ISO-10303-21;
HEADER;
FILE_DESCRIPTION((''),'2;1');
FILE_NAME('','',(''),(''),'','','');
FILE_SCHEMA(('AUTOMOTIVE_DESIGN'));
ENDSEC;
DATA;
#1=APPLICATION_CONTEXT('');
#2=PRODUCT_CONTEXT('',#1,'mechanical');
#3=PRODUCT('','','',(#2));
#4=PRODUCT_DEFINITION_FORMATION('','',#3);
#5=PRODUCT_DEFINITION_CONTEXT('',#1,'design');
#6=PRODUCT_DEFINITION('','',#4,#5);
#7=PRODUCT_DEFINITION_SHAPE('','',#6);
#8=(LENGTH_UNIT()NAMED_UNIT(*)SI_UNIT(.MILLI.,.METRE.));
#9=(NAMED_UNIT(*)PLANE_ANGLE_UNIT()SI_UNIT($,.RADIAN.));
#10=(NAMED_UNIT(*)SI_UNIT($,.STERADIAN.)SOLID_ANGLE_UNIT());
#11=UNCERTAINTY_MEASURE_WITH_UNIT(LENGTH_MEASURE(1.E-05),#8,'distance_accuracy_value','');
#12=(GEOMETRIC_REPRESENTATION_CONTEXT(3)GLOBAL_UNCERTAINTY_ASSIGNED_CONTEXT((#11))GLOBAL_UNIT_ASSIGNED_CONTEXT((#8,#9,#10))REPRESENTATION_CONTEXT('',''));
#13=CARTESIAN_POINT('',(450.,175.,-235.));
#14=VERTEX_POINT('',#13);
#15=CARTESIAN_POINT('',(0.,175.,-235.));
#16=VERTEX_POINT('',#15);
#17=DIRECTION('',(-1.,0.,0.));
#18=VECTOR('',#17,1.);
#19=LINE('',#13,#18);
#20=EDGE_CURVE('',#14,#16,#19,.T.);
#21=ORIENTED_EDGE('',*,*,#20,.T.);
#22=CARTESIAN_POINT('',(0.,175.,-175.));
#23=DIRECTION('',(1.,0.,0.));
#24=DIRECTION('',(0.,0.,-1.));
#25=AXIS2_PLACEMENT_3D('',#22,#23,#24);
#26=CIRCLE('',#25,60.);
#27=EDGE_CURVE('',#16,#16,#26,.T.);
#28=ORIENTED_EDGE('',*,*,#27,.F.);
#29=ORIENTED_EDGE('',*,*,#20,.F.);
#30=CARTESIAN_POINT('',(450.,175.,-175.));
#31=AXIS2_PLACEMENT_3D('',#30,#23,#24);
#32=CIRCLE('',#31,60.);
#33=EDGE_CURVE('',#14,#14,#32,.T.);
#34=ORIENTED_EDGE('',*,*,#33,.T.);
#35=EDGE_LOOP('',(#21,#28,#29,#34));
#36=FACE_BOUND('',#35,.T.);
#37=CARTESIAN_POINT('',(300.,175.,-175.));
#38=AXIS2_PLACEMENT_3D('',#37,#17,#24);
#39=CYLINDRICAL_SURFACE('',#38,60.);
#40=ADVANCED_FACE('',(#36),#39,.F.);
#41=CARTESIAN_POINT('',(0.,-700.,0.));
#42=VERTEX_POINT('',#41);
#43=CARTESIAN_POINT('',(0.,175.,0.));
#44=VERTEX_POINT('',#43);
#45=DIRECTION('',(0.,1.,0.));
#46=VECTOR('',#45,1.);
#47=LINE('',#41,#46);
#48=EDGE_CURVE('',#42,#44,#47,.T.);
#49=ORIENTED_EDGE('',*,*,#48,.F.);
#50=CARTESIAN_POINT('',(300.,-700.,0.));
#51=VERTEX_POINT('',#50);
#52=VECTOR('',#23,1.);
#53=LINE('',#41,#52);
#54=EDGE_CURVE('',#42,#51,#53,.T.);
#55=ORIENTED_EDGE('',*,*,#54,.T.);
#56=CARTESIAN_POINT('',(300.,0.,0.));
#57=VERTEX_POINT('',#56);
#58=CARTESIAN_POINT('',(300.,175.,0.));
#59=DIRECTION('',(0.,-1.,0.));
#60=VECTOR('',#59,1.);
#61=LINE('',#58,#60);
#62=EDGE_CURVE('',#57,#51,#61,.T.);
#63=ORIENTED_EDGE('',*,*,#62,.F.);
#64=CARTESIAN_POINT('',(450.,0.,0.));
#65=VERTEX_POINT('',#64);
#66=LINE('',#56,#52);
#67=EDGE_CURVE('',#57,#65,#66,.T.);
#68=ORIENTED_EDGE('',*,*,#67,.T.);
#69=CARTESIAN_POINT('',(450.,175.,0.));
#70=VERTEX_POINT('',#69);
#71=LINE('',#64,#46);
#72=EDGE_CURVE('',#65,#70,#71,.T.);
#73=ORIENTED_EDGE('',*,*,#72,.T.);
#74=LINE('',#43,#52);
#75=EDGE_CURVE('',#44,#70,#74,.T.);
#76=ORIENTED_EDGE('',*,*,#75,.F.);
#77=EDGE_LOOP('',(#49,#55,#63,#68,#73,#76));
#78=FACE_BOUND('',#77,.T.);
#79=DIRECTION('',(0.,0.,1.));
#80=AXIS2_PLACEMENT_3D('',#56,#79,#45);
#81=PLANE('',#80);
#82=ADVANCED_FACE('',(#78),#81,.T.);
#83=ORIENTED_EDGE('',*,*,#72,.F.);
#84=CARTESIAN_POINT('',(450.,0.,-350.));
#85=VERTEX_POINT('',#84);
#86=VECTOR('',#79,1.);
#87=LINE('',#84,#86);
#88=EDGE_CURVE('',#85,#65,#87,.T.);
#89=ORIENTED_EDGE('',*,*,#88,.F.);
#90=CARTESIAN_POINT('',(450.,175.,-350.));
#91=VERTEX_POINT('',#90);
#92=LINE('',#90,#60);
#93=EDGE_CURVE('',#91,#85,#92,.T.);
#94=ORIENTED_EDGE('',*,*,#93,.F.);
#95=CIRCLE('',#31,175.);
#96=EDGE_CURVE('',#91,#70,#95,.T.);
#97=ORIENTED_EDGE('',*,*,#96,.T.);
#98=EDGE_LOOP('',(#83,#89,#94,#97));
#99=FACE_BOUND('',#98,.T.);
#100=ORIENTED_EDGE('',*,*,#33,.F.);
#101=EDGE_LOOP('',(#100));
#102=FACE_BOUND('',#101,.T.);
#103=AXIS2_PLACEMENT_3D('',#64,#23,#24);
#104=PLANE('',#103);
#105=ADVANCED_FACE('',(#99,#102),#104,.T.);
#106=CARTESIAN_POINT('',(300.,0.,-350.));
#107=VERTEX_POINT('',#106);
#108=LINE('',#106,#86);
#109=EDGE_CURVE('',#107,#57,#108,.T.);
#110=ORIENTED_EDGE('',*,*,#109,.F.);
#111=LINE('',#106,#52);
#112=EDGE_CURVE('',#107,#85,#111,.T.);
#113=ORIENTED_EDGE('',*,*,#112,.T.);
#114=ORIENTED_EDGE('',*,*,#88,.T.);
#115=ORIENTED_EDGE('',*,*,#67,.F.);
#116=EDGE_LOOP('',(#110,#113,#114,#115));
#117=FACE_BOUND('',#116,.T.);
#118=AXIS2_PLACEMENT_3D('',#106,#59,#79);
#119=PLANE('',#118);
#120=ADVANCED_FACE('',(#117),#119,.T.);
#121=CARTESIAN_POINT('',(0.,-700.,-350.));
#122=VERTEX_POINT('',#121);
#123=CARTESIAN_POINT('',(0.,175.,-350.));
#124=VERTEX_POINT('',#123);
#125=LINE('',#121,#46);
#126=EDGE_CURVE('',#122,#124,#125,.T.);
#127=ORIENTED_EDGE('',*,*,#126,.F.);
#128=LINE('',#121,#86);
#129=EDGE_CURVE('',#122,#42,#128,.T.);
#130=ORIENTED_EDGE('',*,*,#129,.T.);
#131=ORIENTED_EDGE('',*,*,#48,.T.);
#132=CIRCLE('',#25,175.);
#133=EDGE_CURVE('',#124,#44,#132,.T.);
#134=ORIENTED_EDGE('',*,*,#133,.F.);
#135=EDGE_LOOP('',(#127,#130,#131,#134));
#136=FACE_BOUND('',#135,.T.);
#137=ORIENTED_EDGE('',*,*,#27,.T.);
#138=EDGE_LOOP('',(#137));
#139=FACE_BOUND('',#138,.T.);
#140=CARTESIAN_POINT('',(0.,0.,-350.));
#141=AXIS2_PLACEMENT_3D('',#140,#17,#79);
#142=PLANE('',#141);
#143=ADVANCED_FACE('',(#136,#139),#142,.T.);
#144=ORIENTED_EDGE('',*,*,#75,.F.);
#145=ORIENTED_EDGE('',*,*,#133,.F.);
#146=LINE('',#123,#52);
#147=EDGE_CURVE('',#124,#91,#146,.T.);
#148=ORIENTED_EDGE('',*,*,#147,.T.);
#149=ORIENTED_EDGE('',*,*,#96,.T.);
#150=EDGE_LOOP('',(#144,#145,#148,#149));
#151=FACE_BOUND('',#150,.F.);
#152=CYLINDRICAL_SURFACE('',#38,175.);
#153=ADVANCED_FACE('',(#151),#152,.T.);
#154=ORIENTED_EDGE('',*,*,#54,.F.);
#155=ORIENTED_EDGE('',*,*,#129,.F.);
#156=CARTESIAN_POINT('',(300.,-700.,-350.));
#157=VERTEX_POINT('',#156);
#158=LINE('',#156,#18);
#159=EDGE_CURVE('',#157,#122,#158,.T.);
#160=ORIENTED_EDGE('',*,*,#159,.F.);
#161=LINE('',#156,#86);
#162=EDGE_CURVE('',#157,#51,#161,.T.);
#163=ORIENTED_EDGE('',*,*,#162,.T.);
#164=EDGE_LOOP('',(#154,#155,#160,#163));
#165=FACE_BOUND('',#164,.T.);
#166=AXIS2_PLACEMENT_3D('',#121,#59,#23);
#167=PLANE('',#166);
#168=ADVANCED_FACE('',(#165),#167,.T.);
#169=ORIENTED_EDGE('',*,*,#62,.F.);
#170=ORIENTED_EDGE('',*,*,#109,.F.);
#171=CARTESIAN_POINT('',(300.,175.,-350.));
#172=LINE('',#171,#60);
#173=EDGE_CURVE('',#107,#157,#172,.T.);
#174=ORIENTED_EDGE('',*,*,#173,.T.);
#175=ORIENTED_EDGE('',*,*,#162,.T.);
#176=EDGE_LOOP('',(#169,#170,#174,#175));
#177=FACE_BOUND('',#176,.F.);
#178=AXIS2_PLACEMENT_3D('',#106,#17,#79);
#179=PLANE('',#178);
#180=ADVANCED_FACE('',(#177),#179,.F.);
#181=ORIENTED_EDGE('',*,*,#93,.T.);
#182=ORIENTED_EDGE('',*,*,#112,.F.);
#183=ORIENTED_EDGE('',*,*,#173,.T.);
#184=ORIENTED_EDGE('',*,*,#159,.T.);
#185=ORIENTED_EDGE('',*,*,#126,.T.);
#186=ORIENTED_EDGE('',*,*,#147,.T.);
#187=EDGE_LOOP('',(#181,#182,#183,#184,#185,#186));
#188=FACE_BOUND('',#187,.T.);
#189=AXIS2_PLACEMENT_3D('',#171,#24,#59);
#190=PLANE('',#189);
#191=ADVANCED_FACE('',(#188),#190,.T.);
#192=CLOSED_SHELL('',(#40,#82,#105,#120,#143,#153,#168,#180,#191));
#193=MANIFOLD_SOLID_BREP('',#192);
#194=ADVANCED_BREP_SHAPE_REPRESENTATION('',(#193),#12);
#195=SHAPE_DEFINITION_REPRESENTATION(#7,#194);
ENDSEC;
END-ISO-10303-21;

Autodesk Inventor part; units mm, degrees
ref_plane "YZ Plane" through (0, 0, 0) normal (1, 0, 0) x (0, 1, 0)
ref_plane "XZ Plane" through (0, 0, 0) normal (0, 1, 0) x (-1, 0, 0)
ref_plane "XY Plane" through (0, 0, 0) normal (0, 0, 1) x (1, 0, 0)
sketch "Sketch10" plane through (0, 0, 0) normal (1, 0, 0) x (0, 1, 0)
  line L0 (0, 0) -> (175, 0)
  line L1 (350, -175) -> (350, -175)
  line L2 (175, -350) -> (0, -350)
  line L3 (0, -350) -> (0, 0)
  arc A0 (350, -175) -> (175, 0) centre (175, -175) ccw
  arc A1 (175, -350) -> (350, -175) centre (175, -175) ccw
  point P0 (350, -350)
  point P1 (350, 0)
  dimension "d73" = 350
  dimension "d74" = 350
  dimension "d76" = 175
extrude "Extrusion19" add sketch "Sketch10" along normal blind 300
sketch "Sketch11" plane through (300, 0, 0) normal (1, 0, 0) x (0, 0, -1)
  arc A0 (350, 175) -> (0, 175) centre (175, 175) ccw projected
  circle A1 centre (175, 175) radius 60
  point P0 (0, 0)
  dimension "d79" = 120
extrude "Extrusion20" cut sketch "Sketch11" against normal blind 300
sketch "Sketch12" plane through (0, 0, -350) normal (0, -1, 0) x (1, 0, 0)
  line L0 (300, 0) -> (300, 350) projected
  line L1 (0, 350) -> (300, 350)
  line L2 (300, 350) -> (300, 0)
  line L3 (300, 0) -> (0, 0)
  line L4 (0, 0) -> (0, 350)
extrude "Extrusion21" add sketch "Sketch12" along normal blind 700
sketch "Sketch13" plane through (300, 0, 0) normal (1, 0, 0) x (0, 0, -1)
  circle A0 centre (175, 175) radius 60 projected
  arc A1 (350, 175) -> (0, 175) centre (175, 175) ccw projected
  arc A2 (350, 175) -> (0, 175) centre (175, 175) ccw
  line L0 (350, 175) -> (350, 0)
  line L1 (350, 0) -> (0, 0)
  line L2 (0, 0) -> (0, 175)
  circle A3 centre (175, 175) radius 60
extrude "Extrusion22" add sketch "Sketch13" along normal blind 150
properties part number "Molde" material "Aluminum 6061"
